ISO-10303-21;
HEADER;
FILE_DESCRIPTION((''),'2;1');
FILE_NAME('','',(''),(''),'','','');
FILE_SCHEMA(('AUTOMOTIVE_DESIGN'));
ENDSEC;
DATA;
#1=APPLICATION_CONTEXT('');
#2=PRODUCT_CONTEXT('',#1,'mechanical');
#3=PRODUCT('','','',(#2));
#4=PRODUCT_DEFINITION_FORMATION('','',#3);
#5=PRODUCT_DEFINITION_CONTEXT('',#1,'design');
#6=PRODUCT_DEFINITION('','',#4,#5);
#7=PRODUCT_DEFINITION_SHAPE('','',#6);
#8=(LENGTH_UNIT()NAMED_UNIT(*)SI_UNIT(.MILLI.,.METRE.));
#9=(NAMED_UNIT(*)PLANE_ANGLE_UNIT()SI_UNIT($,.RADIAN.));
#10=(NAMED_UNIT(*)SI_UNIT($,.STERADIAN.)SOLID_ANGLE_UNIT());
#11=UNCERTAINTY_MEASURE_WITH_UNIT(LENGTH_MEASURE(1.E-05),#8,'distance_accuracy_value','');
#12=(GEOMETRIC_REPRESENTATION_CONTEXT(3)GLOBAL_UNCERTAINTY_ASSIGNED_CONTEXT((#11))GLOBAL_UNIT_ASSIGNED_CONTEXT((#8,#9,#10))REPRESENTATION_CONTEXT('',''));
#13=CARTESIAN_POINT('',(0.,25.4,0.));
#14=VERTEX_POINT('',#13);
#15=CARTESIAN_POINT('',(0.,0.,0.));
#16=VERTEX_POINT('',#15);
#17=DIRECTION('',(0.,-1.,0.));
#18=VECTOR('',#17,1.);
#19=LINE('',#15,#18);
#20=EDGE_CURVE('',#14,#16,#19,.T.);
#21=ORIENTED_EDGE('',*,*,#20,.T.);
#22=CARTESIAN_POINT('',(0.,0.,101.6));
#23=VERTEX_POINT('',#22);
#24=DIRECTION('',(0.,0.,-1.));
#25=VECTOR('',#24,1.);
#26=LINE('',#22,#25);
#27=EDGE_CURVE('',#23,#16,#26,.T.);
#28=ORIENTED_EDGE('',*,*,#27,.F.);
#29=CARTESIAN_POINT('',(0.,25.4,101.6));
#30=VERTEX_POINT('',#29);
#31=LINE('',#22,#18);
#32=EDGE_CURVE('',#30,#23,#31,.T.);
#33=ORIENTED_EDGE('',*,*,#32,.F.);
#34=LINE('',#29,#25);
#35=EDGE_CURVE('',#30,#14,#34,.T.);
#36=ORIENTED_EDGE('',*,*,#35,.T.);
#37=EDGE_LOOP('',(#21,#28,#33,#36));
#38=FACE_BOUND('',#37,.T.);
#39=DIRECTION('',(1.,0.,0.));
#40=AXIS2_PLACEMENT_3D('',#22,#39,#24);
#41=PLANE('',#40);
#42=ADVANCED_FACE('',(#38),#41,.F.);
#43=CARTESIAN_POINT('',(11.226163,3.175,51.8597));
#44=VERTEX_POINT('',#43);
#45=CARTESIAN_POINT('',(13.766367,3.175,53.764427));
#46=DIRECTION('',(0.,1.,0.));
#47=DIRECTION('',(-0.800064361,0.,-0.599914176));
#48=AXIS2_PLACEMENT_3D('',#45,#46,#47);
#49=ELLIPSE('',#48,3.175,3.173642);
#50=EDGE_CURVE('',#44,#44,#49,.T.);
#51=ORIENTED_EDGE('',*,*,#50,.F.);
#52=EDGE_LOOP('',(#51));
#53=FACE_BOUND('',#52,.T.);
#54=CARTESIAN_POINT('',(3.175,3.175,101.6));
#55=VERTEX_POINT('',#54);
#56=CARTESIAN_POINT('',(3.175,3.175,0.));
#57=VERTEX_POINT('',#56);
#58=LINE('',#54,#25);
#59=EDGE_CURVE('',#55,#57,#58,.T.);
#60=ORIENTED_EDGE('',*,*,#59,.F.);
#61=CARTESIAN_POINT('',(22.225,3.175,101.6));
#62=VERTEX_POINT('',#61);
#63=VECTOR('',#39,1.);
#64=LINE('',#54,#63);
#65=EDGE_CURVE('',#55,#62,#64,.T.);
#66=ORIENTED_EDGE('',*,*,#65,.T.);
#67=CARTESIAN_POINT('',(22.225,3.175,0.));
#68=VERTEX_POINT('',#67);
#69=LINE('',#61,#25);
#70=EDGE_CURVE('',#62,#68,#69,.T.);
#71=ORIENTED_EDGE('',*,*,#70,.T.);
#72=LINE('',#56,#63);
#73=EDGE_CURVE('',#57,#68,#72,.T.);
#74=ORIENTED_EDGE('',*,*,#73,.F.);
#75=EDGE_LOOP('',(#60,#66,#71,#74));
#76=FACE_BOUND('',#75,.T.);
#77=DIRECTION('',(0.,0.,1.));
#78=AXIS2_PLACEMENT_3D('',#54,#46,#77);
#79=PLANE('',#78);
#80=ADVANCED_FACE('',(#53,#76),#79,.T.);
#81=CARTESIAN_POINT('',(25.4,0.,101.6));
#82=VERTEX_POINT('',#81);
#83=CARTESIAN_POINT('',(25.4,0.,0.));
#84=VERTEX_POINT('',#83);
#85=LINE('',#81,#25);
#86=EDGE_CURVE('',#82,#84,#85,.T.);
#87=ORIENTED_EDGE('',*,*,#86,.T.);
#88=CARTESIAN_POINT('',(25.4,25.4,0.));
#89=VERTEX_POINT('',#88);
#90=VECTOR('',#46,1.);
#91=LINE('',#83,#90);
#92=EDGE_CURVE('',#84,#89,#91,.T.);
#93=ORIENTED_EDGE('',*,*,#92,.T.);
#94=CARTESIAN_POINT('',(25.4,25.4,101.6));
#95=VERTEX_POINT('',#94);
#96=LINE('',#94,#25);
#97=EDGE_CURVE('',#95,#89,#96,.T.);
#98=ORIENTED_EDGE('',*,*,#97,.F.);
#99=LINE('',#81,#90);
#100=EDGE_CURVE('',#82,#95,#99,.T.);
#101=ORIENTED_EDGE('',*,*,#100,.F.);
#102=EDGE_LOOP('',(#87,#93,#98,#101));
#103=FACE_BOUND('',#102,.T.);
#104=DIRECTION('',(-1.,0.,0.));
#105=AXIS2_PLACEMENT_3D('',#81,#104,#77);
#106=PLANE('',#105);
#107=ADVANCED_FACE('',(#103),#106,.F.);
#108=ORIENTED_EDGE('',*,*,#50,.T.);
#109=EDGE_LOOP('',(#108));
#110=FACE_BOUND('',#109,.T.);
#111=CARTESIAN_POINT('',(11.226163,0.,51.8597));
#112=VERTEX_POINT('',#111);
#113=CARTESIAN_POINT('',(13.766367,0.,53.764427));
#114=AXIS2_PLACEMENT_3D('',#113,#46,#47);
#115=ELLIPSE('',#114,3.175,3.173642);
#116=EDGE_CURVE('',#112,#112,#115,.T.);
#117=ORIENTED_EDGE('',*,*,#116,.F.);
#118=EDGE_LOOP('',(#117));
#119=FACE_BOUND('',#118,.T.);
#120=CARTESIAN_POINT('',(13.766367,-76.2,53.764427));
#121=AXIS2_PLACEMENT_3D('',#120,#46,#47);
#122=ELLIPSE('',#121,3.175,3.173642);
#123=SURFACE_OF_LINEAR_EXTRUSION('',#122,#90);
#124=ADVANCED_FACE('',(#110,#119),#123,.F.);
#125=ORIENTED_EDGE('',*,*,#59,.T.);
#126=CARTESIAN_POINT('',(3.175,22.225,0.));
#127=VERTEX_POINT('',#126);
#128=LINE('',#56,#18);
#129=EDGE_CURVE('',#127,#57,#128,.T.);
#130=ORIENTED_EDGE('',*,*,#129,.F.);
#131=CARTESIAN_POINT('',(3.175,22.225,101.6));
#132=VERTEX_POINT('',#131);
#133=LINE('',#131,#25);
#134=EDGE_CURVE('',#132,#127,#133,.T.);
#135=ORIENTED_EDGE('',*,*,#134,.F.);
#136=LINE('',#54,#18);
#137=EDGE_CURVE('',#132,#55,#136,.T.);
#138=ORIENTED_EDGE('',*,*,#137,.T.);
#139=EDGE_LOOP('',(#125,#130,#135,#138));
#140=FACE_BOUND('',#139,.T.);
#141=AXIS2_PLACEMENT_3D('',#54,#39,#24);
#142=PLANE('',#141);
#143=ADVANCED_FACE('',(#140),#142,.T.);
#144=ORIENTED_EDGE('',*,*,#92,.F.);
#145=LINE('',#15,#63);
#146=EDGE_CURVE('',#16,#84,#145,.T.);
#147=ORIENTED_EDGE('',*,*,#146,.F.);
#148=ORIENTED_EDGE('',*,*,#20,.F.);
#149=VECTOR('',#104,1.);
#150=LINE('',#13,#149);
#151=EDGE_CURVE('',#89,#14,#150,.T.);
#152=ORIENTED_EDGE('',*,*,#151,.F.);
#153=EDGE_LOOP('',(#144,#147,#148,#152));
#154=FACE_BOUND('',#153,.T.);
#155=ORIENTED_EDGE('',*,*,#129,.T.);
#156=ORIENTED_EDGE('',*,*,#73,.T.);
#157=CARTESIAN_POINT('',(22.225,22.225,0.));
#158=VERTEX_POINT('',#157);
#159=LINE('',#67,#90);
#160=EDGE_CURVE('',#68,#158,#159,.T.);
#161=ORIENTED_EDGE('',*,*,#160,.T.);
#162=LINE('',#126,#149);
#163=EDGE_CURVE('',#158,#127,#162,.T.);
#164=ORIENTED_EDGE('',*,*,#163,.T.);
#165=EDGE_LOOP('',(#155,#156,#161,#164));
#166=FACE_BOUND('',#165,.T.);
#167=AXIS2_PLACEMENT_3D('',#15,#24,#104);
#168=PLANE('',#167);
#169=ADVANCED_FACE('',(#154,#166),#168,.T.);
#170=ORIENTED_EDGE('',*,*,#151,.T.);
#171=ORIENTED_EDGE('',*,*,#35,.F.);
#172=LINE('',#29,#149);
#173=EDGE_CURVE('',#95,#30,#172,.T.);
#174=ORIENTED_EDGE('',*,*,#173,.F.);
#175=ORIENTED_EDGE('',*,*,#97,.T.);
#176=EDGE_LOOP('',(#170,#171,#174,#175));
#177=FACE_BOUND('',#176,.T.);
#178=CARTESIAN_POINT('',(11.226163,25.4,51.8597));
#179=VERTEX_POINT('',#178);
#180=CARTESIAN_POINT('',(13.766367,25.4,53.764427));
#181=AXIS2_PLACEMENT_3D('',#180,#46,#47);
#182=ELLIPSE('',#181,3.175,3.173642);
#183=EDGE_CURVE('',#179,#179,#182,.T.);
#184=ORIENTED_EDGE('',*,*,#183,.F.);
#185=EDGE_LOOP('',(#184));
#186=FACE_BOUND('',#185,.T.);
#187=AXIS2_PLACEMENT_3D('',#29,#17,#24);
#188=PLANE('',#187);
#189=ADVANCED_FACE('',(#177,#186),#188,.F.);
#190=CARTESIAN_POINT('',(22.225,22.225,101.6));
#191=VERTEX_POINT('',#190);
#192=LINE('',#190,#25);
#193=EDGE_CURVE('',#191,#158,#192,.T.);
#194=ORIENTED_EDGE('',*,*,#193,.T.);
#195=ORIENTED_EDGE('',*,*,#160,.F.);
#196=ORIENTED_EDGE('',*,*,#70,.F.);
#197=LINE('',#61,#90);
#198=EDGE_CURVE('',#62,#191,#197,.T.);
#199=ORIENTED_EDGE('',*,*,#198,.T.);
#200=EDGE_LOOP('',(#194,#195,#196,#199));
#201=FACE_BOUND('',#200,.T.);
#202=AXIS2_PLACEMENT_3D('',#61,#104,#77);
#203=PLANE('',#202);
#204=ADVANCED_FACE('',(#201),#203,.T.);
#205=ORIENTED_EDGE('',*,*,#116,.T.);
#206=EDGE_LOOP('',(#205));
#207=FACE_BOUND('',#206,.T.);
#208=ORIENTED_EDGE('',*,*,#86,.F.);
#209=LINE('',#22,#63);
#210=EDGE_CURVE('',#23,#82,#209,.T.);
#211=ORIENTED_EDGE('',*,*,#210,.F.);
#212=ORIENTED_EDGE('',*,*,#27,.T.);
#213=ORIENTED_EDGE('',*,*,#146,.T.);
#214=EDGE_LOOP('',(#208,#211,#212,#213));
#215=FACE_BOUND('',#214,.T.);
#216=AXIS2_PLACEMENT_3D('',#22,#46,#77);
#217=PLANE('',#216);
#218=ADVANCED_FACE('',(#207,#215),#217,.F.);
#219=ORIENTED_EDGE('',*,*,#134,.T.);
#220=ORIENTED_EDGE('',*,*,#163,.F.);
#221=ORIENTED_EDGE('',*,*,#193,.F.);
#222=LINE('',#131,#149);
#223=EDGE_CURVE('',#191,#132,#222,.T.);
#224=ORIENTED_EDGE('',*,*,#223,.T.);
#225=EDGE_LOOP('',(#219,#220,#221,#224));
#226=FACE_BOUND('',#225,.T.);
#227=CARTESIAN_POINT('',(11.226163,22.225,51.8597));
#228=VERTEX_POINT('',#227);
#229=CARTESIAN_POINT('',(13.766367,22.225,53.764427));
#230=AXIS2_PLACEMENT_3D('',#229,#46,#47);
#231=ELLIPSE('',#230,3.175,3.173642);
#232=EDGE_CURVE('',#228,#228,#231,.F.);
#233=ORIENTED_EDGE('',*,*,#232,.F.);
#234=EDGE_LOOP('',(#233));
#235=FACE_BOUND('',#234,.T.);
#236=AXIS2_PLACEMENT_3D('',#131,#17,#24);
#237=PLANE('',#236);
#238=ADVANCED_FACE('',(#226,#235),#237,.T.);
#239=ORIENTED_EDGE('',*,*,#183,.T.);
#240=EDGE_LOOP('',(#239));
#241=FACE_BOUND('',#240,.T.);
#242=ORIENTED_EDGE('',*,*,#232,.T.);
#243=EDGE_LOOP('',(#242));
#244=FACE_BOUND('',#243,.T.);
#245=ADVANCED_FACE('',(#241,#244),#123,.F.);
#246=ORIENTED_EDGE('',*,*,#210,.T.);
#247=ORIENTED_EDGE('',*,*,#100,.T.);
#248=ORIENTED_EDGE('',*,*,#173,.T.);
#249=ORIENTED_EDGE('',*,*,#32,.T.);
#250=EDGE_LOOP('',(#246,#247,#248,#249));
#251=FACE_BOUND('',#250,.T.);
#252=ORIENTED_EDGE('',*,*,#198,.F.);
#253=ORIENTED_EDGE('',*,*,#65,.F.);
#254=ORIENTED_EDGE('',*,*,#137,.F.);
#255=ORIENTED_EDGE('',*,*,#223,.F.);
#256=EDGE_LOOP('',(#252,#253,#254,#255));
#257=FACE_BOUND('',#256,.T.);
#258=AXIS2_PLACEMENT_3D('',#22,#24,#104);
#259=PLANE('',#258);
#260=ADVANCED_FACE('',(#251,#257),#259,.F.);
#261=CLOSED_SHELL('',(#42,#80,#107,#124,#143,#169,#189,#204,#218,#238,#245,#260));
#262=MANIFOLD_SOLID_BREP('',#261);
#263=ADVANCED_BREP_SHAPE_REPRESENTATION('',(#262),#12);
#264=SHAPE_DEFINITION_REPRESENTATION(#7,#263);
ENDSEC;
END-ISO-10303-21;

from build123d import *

# Parameters (mm, degrees)
SKETCH1_W           = 25.4
SKETCH1_H           = 25.4
SKETCH1_W_2         = 19.05
SKETCH1_H_2         = 19.05
BOSS_EXTRUDE1_DEPTH = 101.6
SKETCH2_RX          = 3.175
SKETCH2_RY          = 3.173642052
CUT_EXTRUDE1_DEPTH  = 101.6


with BuildPart() as part:
    # Sketch1 → Boss-Extrude1 (new body)
    with BuildSketch(Plane.XY):
        with Locations((12.7, 12.7)):
            Rectangle(SKETCH1_W, SKETCH1_H)
        with Locations((12.7, 12.7)):
            Rectangle(SKETCH1_W_2, SKETCH1_H_2, mode=Mode.SUBTRACT)
    extrude(amount=BOSS_EXTRUDE1_DEPTH)

    # Sketch2 → Cut-Extrude1 (cut)
    with BuildSketch(Plane(origin=(0, 25.4, 0), x_dir=(1, 0, 0), z_dir=(0, 1, 0))):
        with Locations(Location((13.766367438, -53.764427429), (0, 0, -36.863751169))):
            Ellipse(SKETCH2_RX, SKETCH2_RY)
    extrude(amount=-CUT_EXTRUDE1_DEPTH, mode=Mode.SUBTRACT)


solid = part.part
